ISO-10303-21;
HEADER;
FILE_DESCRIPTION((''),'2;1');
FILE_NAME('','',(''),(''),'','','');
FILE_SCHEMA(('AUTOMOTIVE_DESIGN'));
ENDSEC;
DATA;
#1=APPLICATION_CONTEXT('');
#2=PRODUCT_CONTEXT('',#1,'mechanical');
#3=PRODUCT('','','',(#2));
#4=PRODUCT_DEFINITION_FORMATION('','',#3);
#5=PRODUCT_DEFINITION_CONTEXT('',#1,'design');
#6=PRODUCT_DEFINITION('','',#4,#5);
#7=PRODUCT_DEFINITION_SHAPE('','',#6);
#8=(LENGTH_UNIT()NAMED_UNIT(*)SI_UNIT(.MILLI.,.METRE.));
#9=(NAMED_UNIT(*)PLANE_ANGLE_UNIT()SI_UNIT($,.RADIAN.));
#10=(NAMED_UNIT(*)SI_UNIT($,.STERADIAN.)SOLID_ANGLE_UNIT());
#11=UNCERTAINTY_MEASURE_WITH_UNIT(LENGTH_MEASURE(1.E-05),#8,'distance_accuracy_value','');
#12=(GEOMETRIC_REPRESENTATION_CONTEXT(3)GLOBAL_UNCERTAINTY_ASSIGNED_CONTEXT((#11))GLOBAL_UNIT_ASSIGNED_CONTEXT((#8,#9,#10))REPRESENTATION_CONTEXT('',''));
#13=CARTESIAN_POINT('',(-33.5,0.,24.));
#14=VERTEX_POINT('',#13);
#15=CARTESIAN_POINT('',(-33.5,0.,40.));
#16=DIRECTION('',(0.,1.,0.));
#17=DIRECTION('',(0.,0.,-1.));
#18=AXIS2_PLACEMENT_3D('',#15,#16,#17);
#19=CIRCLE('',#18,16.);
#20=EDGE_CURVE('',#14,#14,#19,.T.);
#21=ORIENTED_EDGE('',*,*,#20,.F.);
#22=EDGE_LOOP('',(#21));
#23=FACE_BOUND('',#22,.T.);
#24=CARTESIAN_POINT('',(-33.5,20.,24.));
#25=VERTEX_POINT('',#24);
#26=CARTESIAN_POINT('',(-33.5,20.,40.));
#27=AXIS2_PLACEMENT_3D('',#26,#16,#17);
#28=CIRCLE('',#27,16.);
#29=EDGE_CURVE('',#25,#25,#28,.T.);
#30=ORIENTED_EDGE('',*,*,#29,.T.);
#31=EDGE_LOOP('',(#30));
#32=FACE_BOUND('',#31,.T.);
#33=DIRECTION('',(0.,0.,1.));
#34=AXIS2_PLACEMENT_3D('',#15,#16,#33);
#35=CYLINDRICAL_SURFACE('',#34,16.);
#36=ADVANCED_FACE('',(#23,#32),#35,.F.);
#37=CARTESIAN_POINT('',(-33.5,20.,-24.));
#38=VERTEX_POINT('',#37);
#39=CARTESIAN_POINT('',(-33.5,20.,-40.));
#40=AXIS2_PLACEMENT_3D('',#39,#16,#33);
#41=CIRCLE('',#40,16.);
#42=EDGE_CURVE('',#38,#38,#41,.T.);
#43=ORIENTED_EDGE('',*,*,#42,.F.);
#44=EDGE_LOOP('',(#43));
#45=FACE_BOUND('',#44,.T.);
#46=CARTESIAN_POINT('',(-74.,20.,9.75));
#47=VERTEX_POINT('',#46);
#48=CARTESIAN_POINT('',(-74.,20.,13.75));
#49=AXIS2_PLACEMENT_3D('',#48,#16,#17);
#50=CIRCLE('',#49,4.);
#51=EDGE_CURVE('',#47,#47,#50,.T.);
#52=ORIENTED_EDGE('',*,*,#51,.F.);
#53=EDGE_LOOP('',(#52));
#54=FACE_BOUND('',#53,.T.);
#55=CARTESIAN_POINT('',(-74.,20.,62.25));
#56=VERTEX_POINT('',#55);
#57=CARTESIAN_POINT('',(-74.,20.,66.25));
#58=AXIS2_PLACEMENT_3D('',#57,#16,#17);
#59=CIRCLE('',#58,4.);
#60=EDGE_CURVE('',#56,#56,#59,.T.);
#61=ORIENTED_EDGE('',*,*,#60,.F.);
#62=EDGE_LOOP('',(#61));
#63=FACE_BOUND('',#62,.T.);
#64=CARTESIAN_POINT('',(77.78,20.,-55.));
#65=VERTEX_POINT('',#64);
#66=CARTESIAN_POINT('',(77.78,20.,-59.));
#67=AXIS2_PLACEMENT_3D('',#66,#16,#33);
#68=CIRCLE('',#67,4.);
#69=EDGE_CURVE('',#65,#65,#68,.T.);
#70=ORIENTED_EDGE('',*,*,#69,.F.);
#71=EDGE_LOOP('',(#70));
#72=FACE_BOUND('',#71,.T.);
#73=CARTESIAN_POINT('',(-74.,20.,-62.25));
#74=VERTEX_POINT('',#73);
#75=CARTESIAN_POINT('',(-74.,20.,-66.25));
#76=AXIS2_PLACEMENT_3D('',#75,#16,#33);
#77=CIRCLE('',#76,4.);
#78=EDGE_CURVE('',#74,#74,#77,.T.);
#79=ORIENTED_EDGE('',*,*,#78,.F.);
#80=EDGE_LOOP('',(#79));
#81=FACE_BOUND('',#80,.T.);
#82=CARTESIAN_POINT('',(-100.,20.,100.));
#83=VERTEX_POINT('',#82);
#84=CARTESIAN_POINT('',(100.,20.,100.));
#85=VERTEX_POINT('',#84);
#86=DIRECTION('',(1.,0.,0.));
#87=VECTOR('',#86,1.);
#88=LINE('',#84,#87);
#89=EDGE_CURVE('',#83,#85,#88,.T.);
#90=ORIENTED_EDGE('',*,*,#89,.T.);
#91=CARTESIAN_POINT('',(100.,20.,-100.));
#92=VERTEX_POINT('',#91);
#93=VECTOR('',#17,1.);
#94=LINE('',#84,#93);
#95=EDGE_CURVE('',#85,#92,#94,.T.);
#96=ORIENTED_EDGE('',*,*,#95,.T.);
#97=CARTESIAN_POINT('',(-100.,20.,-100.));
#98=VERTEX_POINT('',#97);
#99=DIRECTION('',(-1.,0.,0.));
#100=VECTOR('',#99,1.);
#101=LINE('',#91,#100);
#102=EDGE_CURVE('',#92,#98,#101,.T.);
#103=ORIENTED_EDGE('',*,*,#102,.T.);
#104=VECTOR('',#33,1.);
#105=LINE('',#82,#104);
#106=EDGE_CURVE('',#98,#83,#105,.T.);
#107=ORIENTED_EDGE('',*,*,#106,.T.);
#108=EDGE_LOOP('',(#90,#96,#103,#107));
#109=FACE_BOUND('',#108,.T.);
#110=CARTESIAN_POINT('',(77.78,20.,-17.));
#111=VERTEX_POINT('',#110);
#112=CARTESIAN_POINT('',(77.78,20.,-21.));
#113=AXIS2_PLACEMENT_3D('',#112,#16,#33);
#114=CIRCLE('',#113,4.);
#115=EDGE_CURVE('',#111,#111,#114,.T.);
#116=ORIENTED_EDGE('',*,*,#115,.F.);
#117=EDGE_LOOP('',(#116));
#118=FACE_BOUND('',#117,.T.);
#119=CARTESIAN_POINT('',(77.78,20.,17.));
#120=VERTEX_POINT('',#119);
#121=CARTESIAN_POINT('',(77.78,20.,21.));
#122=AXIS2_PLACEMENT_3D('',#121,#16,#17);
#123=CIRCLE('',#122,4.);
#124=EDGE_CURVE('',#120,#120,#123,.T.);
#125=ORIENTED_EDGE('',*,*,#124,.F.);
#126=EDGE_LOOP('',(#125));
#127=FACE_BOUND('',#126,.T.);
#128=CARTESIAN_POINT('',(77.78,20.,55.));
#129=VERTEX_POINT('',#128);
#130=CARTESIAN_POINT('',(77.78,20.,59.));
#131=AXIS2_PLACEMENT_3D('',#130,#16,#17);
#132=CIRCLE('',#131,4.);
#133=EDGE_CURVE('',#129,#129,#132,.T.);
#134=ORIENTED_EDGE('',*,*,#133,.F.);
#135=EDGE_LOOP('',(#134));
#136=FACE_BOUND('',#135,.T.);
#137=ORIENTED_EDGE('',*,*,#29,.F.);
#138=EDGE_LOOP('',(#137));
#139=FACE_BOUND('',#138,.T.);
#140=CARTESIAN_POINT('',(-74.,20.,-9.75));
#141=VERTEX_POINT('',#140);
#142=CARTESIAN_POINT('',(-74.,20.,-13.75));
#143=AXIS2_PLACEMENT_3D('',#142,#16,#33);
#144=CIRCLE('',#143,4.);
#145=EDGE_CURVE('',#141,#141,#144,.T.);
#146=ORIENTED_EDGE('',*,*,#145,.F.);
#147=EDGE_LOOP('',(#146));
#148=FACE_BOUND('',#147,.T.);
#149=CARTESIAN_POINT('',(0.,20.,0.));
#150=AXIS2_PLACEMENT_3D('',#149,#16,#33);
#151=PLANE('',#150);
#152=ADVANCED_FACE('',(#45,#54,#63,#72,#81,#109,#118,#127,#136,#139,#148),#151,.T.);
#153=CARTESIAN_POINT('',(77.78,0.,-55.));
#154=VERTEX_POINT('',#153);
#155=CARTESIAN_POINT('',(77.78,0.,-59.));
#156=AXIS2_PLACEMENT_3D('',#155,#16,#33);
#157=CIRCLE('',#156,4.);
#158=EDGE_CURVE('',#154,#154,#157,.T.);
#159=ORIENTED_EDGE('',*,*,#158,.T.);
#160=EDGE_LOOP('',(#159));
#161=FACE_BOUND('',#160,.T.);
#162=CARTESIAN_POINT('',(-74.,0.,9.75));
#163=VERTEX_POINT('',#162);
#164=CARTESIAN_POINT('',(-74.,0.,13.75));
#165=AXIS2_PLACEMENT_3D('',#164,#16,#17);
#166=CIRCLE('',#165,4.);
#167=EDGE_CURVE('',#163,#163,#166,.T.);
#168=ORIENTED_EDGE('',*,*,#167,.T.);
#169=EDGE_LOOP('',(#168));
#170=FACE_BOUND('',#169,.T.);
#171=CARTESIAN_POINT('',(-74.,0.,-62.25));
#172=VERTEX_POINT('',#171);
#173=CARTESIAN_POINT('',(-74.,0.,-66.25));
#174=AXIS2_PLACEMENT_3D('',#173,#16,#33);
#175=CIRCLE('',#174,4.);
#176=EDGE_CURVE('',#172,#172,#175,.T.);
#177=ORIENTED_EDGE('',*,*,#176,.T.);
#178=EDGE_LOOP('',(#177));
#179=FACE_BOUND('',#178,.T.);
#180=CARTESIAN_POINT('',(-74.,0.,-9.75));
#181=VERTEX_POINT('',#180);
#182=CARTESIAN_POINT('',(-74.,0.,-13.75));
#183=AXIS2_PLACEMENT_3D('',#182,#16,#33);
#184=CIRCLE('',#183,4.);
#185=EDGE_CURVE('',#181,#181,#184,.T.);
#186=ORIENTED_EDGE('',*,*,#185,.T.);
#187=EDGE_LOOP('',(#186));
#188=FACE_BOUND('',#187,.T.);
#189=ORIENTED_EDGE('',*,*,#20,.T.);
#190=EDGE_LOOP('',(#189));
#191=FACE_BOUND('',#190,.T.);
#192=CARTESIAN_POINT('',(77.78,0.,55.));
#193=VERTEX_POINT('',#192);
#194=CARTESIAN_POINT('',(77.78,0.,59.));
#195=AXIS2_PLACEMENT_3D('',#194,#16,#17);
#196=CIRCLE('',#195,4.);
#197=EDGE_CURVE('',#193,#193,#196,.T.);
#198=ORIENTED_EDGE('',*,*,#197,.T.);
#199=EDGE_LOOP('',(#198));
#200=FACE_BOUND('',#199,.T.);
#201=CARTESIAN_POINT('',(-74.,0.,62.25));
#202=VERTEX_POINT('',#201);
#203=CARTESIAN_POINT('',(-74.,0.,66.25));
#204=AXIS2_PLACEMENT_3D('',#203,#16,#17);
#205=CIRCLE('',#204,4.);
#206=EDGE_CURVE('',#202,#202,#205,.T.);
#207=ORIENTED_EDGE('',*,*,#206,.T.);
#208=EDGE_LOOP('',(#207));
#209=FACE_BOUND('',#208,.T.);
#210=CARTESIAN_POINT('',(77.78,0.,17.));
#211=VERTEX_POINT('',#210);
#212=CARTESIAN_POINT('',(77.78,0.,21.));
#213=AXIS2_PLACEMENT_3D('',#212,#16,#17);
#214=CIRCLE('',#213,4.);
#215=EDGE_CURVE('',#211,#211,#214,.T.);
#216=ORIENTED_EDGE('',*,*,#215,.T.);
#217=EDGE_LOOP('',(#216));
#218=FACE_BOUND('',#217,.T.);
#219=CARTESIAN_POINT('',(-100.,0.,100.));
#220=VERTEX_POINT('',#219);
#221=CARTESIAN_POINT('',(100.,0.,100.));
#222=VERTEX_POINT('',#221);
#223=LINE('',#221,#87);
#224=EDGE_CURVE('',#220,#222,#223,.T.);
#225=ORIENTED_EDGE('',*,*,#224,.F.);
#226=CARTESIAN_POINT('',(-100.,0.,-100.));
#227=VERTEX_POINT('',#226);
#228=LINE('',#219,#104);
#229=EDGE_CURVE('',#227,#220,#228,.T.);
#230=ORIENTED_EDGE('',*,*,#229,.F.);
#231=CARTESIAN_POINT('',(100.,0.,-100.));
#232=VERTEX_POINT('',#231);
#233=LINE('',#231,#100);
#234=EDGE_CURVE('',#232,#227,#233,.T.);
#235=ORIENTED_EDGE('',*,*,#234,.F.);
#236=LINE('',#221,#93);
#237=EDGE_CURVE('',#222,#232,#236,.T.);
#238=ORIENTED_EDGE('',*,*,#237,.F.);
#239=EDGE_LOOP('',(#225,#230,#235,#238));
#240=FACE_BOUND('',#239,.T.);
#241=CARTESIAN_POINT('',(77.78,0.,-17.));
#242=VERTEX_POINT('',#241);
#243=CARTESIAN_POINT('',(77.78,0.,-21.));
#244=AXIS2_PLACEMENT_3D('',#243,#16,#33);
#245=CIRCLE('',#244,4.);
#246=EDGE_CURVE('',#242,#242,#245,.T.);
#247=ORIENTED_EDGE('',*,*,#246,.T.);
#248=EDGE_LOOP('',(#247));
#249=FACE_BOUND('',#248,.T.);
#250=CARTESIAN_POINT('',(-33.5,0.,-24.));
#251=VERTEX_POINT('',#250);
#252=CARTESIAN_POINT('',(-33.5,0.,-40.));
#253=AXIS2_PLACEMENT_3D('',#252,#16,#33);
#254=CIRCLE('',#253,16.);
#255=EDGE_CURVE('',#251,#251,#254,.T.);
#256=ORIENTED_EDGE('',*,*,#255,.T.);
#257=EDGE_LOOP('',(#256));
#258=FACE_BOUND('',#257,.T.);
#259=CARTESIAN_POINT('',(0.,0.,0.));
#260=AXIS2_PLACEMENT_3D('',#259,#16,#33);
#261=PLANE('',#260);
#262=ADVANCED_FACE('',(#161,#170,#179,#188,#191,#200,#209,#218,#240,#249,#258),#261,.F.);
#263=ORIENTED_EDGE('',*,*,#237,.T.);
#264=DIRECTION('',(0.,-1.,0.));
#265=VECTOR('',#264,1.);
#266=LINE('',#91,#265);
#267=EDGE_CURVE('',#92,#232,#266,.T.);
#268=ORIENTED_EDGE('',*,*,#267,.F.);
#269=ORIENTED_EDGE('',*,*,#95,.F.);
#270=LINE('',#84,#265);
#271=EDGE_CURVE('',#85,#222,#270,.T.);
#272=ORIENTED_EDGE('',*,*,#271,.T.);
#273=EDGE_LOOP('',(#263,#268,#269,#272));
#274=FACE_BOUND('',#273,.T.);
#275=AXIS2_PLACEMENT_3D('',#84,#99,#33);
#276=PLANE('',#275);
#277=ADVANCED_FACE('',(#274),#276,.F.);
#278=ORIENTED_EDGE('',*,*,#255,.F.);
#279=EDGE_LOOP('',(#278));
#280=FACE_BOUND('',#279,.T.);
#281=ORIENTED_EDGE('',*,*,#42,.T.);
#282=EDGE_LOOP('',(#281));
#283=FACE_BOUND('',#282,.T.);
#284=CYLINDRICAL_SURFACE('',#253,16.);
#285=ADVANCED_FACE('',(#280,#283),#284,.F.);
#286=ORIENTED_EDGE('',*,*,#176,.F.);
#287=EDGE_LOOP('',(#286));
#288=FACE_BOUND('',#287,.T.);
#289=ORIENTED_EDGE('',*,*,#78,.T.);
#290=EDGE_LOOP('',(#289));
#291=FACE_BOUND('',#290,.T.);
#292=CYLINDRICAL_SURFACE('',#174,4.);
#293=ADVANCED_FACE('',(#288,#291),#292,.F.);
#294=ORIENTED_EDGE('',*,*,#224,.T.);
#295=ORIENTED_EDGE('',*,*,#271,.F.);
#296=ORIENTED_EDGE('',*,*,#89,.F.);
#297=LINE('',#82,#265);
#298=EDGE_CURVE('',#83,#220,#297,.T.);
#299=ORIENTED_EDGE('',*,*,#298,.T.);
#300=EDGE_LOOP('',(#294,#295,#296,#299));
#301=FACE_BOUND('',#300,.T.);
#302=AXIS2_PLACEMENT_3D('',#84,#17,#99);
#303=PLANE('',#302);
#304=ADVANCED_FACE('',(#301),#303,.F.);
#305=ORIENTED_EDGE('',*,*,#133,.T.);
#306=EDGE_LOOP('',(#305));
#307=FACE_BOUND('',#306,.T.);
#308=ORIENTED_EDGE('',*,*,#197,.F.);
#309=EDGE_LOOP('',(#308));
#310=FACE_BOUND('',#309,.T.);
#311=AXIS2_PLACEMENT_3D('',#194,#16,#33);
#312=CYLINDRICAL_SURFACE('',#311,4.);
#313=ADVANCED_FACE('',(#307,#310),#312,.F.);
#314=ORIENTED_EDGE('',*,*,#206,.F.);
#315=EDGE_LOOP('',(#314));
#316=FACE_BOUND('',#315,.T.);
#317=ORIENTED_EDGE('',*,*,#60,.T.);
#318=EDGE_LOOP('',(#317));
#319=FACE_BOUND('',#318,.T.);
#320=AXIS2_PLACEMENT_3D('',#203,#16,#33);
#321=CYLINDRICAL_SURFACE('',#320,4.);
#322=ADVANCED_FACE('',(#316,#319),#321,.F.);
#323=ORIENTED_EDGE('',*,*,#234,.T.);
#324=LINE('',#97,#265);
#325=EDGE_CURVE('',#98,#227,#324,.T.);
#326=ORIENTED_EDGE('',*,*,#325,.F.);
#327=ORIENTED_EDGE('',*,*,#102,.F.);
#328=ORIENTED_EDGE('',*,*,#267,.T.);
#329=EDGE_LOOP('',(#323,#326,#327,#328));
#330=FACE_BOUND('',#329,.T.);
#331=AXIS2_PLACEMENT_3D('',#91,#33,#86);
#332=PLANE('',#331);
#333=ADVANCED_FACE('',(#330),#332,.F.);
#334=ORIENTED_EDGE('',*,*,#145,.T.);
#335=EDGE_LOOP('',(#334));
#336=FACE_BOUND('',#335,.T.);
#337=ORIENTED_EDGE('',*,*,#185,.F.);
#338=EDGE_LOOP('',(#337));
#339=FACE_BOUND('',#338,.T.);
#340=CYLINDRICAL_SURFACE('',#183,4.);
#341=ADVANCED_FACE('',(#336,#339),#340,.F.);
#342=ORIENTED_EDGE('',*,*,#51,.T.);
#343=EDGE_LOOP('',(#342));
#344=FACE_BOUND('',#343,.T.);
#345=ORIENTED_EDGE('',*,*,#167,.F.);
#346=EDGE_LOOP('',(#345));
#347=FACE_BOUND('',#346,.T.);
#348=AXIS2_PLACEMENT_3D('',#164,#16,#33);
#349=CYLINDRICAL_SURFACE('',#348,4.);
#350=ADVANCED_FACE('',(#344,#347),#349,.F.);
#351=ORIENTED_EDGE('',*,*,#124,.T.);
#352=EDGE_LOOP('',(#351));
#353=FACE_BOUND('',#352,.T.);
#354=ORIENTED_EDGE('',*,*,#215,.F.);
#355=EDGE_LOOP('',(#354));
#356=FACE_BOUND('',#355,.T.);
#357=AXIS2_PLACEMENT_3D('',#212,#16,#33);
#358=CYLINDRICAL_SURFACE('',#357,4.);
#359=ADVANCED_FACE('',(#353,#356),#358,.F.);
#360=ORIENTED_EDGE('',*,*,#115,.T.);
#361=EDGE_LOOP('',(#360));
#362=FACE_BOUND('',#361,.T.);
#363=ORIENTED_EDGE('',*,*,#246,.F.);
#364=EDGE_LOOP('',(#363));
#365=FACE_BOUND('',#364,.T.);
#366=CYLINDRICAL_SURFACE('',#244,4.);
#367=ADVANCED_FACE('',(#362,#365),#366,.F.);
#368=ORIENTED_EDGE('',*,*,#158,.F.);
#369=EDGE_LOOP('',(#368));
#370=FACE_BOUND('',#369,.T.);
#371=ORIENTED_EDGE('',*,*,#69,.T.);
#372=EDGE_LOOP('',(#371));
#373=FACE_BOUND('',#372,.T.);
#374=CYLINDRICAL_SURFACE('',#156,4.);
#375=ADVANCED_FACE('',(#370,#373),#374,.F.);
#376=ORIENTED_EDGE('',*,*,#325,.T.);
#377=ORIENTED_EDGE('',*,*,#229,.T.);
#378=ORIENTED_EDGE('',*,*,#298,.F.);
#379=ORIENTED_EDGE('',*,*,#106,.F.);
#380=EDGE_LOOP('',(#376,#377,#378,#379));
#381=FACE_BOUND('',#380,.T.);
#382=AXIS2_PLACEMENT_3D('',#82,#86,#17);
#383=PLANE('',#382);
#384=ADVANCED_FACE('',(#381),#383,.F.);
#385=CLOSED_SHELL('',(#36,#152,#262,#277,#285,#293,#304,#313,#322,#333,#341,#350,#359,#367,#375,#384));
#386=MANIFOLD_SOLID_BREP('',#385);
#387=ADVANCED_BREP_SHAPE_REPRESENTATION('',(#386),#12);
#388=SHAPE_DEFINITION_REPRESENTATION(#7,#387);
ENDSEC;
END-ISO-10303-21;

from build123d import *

# Parameters (mm, degrees)
SKETCH_1_W          = 200
SKETCH_1_H          = 200
EXTRUDE_1_DEPTH     = 20
SKETCH_2_R          = 16
SKETCH_2_R_2        = 4
CUT_EXTRUDE_1_DEPTH = 143.828568571


with BuildPart() as part:
    # 草图1 → 凸台-拉伸1 (new body)
    with BuildSketch(Plane(origin=(0, 0, 0), x_dir=(1, 0, 0), z_dir=(0, 1, 0))):
        Rectangle(SKETCH_1_W, SKETCH_1_H)
    extrude(amount=EXTRUDE_1_DEPTH)

    # 草图2 → 切除-拉伸1 (cut, through all)
    with BuildSketch(Plane(origin=(0, 20, 0), x_dir=(1, 0, 0), z_dir=(0, 1, 0))):
        with Locations(Location((-33.5, 40, 0), (0, 0, 270))):
            Circle(SKETCH_2_R)
        with Locations(Location((-74, 66.25, 0), (0, 0, 270))):
            Circle(SKETCH_2_R_2)
        with Locations(Location((-74, 13.75, 0), (0, 0, 270))):
            Circle(SKETCH_2_R_2)
        with Locations(Location((77.78, 59, 0), (0, 0, 270))):
            Circle(SKETCH_2_R_2)
        with Locations(Location((77.78, 21, 0), (0, 0, 270))):
            Circle(SKETCH_2_R_2)
        with Locations(Location((77.78, -21, 0), (0, 0, 90))):
            Circle(SKETCH_2_R_2)
        with Locations(Location((77.78, -59, 0), (0, 0, 90))):
            Circle(SKETCH_2_R_2)
        with Locations(Location((-74, -13.75, 0), (0, 0, 90))):
            Circle(SKETCH_2_R_2)
        with Locations(Location((-74, -66.25, 0), (0, 0, 90))):
            Circle(SKETCH_2_R_2)
        with Locations(Location((-33.5, -40, 0), (0, 0, 90))):
            Circle(SKETCH_2_R)
    extrude(amount=-CUT_EXTRUDE_1_DEPTH, mode=Mode.SUBTRACT)


solid = part.part
